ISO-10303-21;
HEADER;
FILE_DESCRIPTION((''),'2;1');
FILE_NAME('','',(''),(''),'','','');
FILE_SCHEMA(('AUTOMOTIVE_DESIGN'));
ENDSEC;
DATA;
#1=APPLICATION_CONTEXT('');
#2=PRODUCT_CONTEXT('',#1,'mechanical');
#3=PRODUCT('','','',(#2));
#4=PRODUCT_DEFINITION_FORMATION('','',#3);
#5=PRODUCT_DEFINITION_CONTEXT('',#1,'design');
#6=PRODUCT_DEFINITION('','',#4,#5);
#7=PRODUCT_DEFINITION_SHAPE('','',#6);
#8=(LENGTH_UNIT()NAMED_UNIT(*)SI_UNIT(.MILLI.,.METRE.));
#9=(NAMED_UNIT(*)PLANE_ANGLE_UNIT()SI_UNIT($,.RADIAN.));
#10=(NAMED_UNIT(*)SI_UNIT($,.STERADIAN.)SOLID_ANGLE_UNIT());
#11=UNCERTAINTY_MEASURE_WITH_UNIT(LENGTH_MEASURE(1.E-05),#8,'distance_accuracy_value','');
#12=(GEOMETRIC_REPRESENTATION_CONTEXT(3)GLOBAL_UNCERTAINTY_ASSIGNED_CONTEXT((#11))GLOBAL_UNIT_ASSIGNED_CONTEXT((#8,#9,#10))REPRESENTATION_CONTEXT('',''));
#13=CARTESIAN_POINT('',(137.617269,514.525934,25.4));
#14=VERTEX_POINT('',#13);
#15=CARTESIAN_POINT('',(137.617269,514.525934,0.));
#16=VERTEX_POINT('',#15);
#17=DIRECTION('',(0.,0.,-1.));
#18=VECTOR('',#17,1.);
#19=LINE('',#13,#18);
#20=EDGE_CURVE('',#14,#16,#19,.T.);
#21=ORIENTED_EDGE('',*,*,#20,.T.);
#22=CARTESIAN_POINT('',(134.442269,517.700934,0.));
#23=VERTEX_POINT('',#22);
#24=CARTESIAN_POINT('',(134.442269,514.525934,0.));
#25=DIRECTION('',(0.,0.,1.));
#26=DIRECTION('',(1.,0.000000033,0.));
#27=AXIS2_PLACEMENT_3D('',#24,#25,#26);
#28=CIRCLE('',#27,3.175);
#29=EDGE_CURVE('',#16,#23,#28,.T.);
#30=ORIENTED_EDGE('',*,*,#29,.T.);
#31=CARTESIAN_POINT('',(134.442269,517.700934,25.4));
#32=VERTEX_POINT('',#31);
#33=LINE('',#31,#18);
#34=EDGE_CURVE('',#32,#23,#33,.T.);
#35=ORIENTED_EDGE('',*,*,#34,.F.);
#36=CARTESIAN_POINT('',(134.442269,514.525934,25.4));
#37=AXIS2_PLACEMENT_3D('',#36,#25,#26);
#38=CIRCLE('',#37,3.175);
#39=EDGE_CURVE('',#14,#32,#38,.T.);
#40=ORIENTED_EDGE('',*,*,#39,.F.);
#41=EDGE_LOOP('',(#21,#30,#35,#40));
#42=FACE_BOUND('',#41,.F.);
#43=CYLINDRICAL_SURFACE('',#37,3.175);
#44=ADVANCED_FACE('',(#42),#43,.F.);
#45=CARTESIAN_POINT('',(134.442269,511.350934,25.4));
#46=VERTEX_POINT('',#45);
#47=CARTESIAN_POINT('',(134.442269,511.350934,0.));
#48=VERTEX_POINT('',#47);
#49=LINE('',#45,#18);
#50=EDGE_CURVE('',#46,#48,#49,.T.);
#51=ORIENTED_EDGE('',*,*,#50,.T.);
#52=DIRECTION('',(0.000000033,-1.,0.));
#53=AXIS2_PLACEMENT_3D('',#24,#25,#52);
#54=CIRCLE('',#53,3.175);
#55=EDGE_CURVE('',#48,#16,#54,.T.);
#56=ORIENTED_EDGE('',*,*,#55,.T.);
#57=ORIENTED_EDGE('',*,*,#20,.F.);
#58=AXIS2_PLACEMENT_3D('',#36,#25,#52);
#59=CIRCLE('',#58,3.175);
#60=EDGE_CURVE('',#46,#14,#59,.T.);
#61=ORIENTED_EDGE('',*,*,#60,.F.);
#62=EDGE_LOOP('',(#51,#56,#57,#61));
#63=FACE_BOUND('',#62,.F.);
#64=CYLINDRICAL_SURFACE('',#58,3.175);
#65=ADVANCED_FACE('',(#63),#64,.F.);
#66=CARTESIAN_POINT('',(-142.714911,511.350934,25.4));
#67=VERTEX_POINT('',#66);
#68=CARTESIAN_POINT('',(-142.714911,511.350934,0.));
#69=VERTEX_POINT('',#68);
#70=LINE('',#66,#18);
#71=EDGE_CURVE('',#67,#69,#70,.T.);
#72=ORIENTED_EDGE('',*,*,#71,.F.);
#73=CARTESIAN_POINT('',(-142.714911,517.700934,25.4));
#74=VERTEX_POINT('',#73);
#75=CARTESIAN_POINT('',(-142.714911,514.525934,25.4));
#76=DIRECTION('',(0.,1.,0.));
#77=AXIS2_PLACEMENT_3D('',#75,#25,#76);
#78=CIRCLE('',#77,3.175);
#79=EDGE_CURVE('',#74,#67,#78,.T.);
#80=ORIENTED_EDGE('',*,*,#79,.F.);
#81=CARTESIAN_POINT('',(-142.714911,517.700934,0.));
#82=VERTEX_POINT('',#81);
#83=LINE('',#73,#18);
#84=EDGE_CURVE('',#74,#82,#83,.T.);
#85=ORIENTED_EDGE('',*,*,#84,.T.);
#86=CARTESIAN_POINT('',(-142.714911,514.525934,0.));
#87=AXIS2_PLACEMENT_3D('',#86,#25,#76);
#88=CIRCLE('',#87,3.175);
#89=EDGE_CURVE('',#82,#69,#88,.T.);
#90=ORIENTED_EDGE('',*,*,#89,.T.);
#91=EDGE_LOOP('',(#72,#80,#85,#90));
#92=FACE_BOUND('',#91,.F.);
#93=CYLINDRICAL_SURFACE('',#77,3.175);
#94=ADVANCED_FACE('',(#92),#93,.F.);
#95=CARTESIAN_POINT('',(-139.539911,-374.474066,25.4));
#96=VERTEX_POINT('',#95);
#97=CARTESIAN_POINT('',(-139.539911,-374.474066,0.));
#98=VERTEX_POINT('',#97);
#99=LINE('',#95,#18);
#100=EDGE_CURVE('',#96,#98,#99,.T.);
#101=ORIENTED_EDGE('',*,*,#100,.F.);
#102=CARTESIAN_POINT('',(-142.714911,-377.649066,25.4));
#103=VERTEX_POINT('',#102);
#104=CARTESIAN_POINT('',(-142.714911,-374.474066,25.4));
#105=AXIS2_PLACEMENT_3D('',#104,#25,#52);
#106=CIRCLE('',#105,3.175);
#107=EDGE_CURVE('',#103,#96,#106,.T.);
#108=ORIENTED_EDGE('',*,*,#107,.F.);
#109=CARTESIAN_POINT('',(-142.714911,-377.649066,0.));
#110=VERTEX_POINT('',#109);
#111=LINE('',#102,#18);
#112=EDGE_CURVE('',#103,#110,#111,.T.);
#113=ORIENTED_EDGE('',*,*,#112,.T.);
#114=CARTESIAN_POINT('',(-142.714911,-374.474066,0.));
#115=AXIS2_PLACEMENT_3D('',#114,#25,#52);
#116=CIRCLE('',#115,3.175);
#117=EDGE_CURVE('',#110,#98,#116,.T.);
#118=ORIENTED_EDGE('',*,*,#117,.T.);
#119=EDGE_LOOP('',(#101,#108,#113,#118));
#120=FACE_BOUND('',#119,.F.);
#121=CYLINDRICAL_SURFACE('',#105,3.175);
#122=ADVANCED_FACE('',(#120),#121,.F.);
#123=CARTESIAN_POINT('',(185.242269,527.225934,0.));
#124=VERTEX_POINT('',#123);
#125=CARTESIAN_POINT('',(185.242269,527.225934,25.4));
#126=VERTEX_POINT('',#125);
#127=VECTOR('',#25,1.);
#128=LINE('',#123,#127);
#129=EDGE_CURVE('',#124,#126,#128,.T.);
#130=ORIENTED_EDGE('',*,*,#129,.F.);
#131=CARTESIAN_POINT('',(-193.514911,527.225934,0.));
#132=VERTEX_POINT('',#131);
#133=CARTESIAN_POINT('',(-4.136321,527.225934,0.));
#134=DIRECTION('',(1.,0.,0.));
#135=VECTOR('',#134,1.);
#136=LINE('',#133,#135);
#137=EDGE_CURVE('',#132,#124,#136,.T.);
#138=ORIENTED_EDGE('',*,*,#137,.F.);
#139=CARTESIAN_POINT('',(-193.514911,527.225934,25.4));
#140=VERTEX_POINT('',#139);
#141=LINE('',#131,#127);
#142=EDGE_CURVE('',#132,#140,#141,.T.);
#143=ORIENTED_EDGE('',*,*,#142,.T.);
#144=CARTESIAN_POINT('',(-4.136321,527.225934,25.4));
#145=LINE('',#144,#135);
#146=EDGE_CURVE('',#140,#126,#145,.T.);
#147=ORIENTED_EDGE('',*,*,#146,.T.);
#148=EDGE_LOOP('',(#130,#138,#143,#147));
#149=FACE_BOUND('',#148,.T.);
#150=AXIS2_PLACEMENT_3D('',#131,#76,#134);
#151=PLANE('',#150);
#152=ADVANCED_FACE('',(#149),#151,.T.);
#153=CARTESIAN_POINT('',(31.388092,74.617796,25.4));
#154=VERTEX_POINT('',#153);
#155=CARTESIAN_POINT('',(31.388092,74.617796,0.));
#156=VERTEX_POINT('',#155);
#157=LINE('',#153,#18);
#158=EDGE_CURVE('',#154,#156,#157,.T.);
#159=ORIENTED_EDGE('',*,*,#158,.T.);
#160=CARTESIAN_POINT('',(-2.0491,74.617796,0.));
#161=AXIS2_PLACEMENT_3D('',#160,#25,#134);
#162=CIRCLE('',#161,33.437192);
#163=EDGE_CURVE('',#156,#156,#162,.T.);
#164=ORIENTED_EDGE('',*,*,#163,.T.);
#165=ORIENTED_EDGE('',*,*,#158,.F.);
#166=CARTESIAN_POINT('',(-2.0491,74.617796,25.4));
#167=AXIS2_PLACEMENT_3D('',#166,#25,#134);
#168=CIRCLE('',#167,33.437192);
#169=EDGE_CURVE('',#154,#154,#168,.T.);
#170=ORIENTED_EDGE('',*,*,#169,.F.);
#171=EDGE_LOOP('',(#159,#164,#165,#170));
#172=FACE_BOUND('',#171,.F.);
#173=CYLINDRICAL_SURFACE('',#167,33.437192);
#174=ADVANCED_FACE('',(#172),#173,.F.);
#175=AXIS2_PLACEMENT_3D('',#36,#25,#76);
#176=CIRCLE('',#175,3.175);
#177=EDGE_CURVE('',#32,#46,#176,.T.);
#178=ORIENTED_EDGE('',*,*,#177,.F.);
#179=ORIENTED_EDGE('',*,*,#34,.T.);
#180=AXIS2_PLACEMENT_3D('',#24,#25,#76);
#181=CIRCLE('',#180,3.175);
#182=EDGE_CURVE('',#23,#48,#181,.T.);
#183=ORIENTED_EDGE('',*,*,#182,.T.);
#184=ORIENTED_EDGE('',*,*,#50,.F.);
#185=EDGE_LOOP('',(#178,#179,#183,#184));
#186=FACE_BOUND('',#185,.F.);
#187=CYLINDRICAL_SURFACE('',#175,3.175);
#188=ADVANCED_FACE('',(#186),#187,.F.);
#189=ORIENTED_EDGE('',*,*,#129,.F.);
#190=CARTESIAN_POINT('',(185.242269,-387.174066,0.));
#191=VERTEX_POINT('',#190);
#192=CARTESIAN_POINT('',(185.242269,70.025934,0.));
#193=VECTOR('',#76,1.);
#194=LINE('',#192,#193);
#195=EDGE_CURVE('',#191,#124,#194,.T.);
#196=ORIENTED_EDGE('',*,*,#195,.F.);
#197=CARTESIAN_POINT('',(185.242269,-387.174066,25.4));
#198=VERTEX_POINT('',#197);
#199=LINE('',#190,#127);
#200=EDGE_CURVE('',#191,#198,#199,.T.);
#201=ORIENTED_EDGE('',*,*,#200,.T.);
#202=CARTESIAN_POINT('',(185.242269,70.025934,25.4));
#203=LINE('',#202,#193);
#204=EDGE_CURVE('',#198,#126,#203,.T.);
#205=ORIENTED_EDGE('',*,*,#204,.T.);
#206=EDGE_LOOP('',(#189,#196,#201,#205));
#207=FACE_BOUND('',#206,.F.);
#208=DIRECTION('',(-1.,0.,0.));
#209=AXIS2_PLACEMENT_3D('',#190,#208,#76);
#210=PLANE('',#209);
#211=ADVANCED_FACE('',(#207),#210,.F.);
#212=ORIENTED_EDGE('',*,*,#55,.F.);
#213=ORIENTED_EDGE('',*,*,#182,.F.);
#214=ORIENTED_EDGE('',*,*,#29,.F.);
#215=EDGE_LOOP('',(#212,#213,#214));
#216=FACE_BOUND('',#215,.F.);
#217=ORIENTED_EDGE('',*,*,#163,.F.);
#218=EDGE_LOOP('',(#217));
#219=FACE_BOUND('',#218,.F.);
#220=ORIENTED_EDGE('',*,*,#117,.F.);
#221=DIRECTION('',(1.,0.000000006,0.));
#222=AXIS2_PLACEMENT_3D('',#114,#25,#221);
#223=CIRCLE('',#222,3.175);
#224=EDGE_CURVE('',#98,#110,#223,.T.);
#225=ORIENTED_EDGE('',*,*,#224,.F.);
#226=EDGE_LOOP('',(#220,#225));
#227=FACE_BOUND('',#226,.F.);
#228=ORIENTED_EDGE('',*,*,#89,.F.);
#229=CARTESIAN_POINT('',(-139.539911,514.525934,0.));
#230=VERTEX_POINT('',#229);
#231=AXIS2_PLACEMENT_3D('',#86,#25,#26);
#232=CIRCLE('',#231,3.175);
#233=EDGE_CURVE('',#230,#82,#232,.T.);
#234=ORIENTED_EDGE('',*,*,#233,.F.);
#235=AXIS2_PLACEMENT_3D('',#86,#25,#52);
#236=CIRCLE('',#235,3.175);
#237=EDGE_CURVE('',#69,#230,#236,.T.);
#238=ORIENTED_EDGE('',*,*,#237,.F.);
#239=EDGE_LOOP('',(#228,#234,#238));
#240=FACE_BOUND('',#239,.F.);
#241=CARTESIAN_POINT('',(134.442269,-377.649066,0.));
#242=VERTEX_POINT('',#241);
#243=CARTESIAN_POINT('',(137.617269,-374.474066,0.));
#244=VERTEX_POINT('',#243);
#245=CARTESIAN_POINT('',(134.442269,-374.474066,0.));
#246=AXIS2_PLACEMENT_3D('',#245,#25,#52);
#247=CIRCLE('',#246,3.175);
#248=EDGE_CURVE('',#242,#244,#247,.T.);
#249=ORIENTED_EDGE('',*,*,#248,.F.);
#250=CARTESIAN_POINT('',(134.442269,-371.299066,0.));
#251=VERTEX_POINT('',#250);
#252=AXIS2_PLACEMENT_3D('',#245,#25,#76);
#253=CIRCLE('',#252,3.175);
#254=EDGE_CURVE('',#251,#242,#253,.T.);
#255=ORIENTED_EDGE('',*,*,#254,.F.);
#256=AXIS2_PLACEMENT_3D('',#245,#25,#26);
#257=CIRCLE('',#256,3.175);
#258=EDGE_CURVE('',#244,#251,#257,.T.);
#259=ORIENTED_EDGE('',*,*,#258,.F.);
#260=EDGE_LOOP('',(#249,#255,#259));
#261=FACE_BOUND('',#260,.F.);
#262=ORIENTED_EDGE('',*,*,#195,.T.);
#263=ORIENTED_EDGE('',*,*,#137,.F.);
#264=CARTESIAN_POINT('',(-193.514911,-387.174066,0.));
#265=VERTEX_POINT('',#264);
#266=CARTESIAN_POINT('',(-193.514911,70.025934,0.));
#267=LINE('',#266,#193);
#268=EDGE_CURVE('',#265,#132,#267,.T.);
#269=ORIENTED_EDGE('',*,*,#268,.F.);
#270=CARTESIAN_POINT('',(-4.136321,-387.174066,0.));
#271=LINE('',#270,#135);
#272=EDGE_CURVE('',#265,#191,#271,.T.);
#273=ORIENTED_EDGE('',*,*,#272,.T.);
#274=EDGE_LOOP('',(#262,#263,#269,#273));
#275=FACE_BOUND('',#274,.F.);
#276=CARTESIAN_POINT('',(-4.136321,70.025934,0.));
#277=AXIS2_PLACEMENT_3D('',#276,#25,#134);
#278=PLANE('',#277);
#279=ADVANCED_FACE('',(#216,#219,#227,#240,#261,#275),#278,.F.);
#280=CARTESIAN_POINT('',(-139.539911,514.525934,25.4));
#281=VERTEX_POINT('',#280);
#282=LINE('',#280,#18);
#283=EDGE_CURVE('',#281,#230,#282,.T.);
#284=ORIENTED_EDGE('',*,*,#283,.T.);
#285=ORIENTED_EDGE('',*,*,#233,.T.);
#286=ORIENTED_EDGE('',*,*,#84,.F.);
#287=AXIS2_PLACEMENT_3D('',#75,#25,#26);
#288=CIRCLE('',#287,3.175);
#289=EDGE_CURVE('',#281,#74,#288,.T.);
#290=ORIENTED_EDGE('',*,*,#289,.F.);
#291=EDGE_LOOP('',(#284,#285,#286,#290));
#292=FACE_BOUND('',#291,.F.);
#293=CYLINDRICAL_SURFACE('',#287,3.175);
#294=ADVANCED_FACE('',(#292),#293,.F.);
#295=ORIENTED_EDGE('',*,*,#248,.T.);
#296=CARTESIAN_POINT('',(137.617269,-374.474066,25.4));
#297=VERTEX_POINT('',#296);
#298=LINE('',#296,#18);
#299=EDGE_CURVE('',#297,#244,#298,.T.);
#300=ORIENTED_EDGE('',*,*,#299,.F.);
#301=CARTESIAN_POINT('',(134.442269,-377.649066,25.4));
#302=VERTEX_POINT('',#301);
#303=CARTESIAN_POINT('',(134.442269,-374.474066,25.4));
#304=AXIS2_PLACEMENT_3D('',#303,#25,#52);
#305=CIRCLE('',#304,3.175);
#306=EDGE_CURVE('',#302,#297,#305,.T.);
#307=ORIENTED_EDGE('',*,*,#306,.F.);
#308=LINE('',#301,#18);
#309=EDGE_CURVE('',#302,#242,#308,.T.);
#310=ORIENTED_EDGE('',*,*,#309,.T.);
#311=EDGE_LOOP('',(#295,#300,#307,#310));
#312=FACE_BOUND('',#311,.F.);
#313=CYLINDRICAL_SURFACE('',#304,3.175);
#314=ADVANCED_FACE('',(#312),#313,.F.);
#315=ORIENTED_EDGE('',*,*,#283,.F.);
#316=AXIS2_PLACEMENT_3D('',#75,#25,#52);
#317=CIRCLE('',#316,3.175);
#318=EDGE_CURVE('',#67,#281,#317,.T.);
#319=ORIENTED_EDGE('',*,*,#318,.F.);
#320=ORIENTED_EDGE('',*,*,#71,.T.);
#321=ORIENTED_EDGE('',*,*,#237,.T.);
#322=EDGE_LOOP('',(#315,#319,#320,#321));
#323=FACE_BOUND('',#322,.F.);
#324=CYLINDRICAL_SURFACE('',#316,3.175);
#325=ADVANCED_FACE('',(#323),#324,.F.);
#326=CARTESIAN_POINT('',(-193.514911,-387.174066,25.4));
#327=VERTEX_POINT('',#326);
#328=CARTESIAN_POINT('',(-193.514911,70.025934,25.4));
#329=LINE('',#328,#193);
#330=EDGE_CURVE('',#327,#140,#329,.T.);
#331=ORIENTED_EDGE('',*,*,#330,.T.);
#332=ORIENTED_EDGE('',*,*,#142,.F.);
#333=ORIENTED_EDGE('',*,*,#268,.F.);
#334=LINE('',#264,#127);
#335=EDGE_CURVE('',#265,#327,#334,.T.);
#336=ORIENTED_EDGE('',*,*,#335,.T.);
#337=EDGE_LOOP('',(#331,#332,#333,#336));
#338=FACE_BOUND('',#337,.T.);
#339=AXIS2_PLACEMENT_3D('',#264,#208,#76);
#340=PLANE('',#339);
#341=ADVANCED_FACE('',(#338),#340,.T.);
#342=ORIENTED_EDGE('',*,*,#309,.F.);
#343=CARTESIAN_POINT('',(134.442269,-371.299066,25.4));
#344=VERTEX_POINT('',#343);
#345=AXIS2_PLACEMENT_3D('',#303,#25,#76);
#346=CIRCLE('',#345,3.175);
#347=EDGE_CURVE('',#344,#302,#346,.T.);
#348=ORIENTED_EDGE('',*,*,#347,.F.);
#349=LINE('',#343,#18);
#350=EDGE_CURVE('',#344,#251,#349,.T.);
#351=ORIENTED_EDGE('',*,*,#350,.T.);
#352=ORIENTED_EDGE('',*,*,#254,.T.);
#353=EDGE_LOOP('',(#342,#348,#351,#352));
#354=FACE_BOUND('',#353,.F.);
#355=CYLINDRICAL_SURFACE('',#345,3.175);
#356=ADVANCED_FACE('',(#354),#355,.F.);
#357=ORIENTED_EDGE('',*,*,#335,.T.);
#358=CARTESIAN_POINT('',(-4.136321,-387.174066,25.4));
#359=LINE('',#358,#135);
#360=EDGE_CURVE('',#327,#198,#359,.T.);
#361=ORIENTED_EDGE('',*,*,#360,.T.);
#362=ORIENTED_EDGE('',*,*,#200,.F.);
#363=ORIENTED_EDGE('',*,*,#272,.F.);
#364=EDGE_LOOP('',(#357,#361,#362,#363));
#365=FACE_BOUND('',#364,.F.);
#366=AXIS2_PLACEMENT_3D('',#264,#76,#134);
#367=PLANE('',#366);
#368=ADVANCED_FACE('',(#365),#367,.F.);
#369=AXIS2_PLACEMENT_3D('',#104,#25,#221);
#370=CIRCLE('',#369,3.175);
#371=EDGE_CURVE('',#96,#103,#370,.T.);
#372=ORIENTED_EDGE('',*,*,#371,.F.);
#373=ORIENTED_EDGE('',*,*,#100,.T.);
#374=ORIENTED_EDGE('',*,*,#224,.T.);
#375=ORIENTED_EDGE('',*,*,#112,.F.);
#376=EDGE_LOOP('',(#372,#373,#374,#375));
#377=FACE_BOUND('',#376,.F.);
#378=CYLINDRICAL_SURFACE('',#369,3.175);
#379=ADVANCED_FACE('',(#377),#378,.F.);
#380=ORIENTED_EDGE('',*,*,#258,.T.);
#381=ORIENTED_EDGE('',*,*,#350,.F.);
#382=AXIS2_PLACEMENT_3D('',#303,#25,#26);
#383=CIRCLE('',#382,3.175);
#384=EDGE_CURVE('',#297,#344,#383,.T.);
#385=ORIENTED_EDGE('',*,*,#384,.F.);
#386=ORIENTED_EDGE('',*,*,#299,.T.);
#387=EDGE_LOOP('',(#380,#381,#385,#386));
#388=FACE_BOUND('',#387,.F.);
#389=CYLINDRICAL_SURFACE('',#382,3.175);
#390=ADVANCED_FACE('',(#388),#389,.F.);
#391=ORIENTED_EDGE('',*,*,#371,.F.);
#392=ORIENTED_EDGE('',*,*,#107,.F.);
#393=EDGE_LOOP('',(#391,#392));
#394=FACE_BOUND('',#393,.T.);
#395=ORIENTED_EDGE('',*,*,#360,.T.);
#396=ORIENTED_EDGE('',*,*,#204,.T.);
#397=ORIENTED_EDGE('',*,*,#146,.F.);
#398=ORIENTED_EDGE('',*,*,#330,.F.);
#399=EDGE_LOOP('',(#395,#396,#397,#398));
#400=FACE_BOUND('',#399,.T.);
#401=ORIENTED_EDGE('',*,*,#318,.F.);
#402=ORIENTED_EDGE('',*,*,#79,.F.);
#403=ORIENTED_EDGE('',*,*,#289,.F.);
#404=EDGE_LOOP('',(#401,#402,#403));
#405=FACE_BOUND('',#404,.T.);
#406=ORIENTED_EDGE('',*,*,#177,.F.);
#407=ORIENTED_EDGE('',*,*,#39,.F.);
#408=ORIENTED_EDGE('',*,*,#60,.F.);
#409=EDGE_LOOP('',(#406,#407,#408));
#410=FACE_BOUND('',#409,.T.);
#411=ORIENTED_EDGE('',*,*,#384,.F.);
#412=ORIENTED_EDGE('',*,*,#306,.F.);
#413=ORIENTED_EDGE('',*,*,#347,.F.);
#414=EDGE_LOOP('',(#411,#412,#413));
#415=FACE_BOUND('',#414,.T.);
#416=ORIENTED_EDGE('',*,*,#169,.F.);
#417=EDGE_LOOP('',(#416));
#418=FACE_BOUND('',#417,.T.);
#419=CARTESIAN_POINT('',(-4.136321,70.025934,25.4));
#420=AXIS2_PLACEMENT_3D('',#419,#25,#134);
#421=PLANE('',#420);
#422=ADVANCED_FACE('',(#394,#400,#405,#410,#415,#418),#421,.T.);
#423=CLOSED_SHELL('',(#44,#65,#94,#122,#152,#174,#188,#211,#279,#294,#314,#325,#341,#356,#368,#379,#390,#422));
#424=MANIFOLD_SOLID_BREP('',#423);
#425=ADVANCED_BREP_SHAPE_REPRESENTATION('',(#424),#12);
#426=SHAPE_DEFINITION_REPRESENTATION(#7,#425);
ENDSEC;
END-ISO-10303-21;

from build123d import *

# Parameters (mm, degrees)
F0_W     = 378.75718
F0_H     = 914.4
F1_DEPTH = 25.4
F3_DEPTH = 25.401
F4_R     = 33.437192
F5_DEPTH = 25.4


with BuildPart() as f1:
    # F0 (on Top) → F1 (new body)
    with BuildSketch(Plane.XY):
        with Locations((-4.136321, 70.025934)):
            Rectangle(F0_W, F0_H)
    extrude(amount=F1_DEPTH)

    # F2 (on face) → F3 (cut, through all)
    with BuildSketch(Plane.XY.offset(25.4)):
        with BuildLine():
            Line((-142.714911, 514.525934), (-142.714911, 511.350934))
            ThreePointArc((-142.714911, 511.350934), (-140.469847, 512.28087), (-139.539911, 514.525934))
            ThreePointArc((-139.539911, 514.525934), (-140.469847, 516.770998), (-142.714911, 517.700934))
            Line((-142.714911, 517.700934), (-142.714911, 514.525934))
        make_face()
        with BuildLine():
            ThreePointArc((-142.714911, 517.700934), (-145.889911, 514.525934), (-142.714911, 511.350934))
            Line((-142.714911, 511.350934), (-142.714911, 514.525934))
            Line((-142.714911, 514.525934), (-142.714911, 517.700934))
        make_face()
        with BuildLine():
            Line((134.442269, 514.525934), (134.442269, 511.350934))
            ThreePointArc((134.442269, 511.350934), (136.687333, 512.28087), (137.617269, 514.525934))
            ThreePointArc((137.617269, 514.525934), (136.687333, 516.770998), (134.442269, 517.700934))
            Line((134.442269, 517.700934), (134.442269, 514.525934))
        make_face()
        with BuildLine():
            ThreePointArc((134.442269, 517.700934), (131.267269, 514.525934), (134.442269, 511.350934))
            Line((134.442269, 511.350934), (134.442269, 514.525934))
            Line((134.442269, 514.525934), (134.442269, 517.700934))
        make_face()
        with BuildLine():
            ThreePointArc((-142.714911, -377.649066), (-140.469847, -376.71913), (-139.539911, -374.474066))
            ThreePointArc((-139.539911, -374.474066), (-144.959975, -372.229002), (-142.714911, -377.649066))
        make_face()
        with BuildLine():
            ThreePointArc((134.442269, -377.649066), (136.687333, -376.71913), (137.617269, -374.474066))
            ThreePointArc((137.617269, -374.474066), (136.687333, -372.229002), (134.442269, -371.299066))
            Line((134.442269, -371.299066), (134.442269, -374.474066))
            Line((134.442269, -374.474066), (134.442269, -377.649066))
        make_face()
        with BuildLine():
            Line((134.442269, -374.474066), (134.442269, -371.299066))
            ThreePointArc((134.442269, -371.299066), (131.267269, -374.474066), (134.442269, -377.649066))
            Line((134.442269, -377.649066), (134.442269, -374.474066))
        make_face()
    extrude(amount=-F3_DEPTH, mode=Mode.SUBTRACT)

    # F4 (on face) → F5 (cut)
    with BuildSketch(Plane.XY.offset(25.4)):
        with Locations((-2.0491, 74.617796)):
            Circle(F4_R)
    extrude(amount=-F5_DEPTH, mode=Mode.SUBTRACT)


solid = f1.part
